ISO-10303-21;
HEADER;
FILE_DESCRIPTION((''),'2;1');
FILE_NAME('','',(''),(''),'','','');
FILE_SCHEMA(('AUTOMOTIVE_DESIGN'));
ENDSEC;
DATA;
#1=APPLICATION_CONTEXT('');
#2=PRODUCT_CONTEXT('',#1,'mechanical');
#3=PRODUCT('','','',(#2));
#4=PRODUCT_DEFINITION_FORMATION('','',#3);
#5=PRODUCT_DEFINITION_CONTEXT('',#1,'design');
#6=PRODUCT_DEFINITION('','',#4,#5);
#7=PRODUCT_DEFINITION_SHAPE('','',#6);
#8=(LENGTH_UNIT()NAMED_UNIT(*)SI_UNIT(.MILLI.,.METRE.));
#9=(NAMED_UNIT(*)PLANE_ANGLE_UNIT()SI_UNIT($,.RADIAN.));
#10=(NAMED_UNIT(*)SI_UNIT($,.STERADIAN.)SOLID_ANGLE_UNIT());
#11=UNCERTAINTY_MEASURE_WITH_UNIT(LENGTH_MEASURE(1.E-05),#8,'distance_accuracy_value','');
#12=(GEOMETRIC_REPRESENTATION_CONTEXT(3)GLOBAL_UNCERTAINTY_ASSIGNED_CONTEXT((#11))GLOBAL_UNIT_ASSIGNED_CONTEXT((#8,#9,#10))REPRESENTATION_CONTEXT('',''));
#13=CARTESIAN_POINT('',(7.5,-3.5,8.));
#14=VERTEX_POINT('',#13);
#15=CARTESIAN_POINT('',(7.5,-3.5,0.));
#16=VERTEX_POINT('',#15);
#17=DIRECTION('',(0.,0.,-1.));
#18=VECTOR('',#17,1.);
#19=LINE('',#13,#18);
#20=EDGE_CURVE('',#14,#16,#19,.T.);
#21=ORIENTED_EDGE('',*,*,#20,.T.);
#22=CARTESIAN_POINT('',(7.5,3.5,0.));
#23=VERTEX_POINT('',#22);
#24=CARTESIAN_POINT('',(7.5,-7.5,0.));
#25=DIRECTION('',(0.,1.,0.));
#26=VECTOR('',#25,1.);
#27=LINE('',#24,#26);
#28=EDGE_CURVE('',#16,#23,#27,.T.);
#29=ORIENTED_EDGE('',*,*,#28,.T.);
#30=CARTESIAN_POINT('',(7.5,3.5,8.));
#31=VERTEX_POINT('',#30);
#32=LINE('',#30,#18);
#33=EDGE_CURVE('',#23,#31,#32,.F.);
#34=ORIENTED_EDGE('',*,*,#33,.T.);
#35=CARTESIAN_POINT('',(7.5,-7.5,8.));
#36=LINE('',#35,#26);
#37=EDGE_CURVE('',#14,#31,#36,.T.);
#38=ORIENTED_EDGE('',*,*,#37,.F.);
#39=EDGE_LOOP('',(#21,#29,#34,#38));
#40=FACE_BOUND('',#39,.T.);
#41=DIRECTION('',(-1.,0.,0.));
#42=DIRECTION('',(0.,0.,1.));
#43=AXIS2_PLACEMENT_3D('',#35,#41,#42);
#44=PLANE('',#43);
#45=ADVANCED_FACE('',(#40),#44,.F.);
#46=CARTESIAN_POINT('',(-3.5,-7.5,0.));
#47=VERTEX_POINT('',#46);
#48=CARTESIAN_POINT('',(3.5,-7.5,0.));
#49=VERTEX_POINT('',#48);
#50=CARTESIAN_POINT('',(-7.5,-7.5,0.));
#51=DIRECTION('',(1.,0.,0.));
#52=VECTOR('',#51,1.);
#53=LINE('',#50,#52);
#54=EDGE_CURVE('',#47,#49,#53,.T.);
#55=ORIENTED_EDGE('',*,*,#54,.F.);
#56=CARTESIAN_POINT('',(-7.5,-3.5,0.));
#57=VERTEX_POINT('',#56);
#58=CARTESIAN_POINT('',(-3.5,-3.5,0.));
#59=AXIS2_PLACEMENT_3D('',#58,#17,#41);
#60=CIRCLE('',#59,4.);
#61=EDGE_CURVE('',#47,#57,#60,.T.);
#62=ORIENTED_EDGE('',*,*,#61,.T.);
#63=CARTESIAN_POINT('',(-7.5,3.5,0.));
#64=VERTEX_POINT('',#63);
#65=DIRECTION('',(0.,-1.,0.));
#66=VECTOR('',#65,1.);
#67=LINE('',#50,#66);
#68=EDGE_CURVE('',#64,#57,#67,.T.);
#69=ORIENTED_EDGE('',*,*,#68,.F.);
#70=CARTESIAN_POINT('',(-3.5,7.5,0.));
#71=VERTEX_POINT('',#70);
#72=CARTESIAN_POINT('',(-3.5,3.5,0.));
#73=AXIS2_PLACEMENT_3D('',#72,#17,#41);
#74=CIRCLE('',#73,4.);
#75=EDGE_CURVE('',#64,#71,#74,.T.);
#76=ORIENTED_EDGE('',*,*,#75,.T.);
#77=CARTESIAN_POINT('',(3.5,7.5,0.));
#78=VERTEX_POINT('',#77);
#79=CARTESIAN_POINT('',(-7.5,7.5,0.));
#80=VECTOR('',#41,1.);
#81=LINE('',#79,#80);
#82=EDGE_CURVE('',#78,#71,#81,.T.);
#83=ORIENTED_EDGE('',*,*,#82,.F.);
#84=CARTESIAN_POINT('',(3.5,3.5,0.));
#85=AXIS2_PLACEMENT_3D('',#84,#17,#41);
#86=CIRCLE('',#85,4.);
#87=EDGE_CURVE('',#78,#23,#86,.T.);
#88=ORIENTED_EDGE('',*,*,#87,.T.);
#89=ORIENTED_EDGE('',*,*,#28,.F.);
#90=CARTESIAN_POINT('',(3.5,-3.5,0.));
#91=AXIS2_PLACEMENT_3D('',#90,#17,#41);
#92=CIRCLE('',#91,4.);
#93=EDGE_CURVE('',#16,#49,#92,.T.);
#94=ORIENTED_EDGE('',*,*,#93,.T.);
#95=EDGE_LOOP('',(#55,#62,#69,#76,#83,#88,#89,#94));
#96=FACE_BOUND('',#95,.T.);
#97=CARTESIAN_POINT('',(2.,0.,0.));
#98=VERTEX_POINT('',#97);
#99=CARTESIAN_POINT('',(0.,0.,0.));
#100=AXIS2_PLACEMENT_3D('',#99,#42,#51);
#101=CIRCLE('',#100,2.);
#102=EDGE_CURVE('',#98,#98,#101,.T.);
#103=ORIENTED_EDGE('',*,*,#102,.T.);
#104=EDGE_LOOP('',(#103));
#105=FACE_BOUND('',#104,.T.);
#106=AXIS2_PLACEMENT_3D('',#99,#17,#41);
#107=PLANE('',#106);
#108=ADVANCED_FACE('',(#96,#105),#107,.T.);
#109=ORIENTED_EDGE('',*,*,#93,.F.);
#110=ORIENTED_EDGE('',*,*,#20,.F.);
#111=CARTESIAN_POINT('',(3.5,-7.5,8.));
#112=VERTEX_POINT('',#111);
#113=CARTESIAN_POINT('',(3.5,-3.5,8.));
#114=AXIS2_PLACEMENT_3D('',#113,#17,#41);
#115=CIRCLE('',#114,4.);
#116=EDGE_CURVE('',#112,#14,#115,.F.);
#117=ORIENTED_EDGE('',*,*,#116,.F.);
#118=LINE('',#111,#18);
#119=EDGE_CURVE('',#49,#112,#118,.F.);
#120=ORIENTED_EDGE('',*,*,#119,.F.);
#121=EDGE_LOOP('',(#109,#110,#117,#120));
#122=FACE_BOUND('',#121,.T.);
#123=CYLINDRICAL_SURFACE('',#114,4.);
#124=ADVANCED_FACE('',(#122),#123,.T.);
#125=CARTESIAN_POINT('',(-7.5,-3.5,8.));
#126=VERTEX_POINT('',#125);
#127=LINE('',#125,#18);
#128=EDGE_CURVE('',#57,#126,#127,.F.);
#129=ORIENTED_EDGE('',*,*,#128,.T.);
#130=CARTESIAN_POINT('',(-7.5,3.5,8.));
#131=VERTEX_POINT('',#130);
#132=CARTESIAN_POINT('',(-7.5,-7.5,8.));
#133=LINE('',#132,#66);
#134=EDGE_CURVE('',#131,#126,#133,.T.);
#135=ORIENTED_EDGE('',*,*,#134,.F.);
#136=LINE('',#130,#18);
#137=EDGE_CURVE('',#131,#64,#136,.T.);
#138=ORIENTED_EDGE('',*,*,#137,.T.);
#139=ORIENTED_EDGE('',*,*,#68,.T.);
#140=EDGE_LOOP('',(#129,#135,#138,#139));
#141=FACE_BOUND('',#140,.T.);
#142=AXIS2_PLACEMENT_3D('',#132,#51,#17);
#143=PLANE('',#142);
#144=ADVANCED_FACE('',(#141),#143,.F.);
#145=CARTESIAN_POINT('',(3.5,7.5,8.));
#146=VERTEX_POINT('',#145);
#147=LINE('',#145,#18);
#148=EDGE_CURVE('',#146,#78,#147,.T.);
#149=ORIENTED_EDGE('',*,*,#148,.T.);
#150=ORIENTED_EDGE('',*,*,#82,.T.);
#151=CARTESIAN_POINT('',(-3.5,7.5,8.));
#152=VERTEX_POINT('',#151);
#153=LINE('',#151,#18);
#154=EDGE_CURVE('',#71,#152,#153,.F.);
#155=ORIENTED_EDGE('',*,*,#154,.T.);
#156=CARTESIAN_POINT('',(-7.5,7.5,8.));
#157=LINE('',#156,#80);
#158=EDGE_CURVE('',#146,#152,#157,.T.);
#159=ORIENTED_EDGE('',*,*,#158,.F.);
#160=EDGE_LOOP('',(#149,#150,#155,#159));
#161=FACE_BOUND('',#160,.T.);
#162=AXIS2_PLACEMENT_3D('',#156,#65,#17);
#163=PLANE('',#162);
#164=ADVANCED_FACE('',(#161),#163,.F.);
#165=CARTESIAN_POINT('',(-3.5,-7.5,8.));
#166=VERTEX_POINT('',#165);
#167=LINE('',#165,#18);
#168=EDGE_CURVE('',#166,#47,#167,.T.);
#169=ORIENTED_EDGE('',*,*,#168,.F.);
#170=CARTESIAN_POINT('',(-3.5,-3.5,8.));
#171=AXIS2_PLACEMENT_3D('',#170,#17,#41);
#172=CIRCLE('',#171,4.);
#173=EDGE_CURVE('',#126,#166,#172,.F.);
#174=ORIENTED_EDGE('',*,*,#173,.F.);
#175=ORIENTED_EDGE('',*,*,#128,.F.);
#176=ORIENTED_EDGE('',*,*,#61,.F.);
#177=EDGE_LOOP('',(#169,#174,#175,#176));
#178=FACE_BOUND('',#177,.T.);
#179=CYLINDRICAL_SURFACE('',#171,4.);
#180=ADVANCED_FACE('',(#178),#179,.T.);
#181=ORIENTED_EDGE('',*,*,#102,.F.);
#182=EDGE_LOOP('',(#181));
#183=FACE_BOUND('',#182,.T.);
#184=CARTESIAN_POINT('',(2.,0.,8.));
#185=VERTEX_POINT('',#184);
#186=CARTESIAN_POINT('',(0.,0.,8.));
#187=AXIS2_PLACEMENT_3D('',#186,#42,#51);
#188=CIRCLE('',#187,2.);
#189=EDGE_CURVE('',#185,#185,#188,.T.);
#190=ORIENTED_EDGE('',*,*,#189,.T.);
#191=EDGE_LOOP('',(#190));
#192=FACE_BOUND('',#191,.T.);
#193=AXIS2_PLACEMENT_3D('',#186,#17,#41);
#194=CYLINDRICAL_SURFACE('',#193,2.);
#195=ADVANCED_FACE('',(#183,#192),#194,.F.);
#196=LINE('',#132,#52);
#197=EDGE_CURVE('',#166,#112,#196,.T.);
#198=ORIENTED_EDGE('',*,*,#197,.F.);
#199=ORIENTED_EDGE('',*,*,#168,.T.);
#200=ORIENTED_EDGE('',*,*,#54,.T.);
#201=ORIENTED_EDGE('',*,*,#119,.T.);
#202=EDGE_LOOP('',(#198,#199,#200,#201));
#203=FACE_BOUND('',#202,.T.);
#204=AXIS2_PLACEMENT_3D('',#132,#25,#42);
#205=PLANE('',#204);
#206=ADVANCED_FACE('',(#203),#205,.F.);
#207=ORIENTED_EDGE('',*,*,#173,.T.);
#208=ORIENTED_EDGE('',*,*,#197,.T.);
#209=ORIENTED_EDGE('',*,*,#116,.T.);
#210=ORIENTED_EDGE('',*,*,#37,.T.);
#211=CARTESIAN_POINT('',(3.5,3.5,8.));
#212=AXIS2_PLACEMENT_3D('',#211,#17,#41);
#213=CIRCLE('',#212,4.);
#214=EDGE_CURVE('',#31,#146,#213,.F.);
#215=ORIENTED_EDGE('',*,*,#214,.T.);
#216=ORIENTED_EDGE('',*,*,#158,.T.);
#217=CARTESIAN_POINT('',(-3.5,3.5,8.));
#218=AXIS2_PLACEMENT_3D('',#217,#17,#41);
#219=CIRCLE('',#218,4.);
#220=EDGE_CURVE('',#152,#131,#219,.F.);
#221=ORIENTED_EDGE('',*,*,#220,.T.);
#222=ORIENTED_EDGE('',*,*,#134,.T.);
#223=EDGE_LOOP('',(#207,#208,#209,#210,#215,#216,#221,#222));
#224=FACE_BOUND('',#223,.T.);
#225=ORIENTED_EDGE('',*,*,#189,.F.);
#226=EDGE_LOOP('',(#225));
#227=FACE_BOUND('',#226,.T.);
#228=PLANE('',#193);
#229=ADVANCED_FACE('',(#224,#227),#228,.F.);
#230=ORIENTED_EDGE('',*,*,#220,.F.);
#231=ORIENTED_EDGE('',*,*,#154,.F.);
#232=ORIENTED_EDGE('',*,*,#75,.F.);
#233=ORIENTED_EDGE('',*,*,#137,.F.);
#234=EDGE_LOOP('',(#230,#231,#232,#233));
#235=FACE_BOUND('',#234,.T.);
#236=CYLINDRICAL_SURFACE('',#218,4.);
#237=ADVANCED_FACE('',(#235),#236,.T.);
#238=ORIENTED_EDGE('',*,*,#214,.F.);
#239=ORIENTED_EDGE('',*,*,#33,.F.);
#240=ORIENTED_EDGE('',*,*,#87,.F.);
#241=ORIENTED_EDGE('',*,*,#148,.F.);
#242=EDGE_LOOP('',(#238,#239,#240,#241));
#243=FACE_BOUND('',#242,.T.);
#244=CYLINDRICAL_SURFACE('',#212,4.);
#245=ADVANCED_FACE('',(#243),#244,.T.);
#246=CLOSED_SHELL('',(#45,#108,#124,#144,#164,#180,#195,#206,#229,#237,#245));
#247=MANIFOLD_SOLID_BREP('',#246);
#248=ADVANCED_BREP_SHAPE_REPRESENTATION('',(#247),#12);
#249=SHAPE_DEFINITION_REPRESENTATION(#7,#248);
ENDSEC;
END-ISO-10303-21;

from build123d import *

# Parameters (mm, degrees)
SKETCH_1_W      = 15
SKETCH_1_H      = 15
SKETCH_1_R      = 2
EXTRUDE_1_DEPTH = 8
FILLET_1_R      = 4


with BuildPart() as part:
    # 草图1 → 凸台-拉伸1 (new body)
    with BuildSketch(Plane.XY):
        Rectangle(SKETCH_1_W, SKETCH_1_H)
        Circle(SKETCH_1_R, mode=Mode.SUBTRACT)
    extrude(amount=EXTRUDE_1_DEPTH)

    # 圆角1
    fillet_1_edges = [part.edges().sort_by_distance(p)[0] for p in [
        (7.5, -7.5, 4),
        (-7.5, -7.5, 4),
        (-7.5, 7.5, 4),
        (7.5, 7.5, 4),
    ]]
    fillet(fillet_1_edges, radius=FILLET_1_R)


solid = part.part
